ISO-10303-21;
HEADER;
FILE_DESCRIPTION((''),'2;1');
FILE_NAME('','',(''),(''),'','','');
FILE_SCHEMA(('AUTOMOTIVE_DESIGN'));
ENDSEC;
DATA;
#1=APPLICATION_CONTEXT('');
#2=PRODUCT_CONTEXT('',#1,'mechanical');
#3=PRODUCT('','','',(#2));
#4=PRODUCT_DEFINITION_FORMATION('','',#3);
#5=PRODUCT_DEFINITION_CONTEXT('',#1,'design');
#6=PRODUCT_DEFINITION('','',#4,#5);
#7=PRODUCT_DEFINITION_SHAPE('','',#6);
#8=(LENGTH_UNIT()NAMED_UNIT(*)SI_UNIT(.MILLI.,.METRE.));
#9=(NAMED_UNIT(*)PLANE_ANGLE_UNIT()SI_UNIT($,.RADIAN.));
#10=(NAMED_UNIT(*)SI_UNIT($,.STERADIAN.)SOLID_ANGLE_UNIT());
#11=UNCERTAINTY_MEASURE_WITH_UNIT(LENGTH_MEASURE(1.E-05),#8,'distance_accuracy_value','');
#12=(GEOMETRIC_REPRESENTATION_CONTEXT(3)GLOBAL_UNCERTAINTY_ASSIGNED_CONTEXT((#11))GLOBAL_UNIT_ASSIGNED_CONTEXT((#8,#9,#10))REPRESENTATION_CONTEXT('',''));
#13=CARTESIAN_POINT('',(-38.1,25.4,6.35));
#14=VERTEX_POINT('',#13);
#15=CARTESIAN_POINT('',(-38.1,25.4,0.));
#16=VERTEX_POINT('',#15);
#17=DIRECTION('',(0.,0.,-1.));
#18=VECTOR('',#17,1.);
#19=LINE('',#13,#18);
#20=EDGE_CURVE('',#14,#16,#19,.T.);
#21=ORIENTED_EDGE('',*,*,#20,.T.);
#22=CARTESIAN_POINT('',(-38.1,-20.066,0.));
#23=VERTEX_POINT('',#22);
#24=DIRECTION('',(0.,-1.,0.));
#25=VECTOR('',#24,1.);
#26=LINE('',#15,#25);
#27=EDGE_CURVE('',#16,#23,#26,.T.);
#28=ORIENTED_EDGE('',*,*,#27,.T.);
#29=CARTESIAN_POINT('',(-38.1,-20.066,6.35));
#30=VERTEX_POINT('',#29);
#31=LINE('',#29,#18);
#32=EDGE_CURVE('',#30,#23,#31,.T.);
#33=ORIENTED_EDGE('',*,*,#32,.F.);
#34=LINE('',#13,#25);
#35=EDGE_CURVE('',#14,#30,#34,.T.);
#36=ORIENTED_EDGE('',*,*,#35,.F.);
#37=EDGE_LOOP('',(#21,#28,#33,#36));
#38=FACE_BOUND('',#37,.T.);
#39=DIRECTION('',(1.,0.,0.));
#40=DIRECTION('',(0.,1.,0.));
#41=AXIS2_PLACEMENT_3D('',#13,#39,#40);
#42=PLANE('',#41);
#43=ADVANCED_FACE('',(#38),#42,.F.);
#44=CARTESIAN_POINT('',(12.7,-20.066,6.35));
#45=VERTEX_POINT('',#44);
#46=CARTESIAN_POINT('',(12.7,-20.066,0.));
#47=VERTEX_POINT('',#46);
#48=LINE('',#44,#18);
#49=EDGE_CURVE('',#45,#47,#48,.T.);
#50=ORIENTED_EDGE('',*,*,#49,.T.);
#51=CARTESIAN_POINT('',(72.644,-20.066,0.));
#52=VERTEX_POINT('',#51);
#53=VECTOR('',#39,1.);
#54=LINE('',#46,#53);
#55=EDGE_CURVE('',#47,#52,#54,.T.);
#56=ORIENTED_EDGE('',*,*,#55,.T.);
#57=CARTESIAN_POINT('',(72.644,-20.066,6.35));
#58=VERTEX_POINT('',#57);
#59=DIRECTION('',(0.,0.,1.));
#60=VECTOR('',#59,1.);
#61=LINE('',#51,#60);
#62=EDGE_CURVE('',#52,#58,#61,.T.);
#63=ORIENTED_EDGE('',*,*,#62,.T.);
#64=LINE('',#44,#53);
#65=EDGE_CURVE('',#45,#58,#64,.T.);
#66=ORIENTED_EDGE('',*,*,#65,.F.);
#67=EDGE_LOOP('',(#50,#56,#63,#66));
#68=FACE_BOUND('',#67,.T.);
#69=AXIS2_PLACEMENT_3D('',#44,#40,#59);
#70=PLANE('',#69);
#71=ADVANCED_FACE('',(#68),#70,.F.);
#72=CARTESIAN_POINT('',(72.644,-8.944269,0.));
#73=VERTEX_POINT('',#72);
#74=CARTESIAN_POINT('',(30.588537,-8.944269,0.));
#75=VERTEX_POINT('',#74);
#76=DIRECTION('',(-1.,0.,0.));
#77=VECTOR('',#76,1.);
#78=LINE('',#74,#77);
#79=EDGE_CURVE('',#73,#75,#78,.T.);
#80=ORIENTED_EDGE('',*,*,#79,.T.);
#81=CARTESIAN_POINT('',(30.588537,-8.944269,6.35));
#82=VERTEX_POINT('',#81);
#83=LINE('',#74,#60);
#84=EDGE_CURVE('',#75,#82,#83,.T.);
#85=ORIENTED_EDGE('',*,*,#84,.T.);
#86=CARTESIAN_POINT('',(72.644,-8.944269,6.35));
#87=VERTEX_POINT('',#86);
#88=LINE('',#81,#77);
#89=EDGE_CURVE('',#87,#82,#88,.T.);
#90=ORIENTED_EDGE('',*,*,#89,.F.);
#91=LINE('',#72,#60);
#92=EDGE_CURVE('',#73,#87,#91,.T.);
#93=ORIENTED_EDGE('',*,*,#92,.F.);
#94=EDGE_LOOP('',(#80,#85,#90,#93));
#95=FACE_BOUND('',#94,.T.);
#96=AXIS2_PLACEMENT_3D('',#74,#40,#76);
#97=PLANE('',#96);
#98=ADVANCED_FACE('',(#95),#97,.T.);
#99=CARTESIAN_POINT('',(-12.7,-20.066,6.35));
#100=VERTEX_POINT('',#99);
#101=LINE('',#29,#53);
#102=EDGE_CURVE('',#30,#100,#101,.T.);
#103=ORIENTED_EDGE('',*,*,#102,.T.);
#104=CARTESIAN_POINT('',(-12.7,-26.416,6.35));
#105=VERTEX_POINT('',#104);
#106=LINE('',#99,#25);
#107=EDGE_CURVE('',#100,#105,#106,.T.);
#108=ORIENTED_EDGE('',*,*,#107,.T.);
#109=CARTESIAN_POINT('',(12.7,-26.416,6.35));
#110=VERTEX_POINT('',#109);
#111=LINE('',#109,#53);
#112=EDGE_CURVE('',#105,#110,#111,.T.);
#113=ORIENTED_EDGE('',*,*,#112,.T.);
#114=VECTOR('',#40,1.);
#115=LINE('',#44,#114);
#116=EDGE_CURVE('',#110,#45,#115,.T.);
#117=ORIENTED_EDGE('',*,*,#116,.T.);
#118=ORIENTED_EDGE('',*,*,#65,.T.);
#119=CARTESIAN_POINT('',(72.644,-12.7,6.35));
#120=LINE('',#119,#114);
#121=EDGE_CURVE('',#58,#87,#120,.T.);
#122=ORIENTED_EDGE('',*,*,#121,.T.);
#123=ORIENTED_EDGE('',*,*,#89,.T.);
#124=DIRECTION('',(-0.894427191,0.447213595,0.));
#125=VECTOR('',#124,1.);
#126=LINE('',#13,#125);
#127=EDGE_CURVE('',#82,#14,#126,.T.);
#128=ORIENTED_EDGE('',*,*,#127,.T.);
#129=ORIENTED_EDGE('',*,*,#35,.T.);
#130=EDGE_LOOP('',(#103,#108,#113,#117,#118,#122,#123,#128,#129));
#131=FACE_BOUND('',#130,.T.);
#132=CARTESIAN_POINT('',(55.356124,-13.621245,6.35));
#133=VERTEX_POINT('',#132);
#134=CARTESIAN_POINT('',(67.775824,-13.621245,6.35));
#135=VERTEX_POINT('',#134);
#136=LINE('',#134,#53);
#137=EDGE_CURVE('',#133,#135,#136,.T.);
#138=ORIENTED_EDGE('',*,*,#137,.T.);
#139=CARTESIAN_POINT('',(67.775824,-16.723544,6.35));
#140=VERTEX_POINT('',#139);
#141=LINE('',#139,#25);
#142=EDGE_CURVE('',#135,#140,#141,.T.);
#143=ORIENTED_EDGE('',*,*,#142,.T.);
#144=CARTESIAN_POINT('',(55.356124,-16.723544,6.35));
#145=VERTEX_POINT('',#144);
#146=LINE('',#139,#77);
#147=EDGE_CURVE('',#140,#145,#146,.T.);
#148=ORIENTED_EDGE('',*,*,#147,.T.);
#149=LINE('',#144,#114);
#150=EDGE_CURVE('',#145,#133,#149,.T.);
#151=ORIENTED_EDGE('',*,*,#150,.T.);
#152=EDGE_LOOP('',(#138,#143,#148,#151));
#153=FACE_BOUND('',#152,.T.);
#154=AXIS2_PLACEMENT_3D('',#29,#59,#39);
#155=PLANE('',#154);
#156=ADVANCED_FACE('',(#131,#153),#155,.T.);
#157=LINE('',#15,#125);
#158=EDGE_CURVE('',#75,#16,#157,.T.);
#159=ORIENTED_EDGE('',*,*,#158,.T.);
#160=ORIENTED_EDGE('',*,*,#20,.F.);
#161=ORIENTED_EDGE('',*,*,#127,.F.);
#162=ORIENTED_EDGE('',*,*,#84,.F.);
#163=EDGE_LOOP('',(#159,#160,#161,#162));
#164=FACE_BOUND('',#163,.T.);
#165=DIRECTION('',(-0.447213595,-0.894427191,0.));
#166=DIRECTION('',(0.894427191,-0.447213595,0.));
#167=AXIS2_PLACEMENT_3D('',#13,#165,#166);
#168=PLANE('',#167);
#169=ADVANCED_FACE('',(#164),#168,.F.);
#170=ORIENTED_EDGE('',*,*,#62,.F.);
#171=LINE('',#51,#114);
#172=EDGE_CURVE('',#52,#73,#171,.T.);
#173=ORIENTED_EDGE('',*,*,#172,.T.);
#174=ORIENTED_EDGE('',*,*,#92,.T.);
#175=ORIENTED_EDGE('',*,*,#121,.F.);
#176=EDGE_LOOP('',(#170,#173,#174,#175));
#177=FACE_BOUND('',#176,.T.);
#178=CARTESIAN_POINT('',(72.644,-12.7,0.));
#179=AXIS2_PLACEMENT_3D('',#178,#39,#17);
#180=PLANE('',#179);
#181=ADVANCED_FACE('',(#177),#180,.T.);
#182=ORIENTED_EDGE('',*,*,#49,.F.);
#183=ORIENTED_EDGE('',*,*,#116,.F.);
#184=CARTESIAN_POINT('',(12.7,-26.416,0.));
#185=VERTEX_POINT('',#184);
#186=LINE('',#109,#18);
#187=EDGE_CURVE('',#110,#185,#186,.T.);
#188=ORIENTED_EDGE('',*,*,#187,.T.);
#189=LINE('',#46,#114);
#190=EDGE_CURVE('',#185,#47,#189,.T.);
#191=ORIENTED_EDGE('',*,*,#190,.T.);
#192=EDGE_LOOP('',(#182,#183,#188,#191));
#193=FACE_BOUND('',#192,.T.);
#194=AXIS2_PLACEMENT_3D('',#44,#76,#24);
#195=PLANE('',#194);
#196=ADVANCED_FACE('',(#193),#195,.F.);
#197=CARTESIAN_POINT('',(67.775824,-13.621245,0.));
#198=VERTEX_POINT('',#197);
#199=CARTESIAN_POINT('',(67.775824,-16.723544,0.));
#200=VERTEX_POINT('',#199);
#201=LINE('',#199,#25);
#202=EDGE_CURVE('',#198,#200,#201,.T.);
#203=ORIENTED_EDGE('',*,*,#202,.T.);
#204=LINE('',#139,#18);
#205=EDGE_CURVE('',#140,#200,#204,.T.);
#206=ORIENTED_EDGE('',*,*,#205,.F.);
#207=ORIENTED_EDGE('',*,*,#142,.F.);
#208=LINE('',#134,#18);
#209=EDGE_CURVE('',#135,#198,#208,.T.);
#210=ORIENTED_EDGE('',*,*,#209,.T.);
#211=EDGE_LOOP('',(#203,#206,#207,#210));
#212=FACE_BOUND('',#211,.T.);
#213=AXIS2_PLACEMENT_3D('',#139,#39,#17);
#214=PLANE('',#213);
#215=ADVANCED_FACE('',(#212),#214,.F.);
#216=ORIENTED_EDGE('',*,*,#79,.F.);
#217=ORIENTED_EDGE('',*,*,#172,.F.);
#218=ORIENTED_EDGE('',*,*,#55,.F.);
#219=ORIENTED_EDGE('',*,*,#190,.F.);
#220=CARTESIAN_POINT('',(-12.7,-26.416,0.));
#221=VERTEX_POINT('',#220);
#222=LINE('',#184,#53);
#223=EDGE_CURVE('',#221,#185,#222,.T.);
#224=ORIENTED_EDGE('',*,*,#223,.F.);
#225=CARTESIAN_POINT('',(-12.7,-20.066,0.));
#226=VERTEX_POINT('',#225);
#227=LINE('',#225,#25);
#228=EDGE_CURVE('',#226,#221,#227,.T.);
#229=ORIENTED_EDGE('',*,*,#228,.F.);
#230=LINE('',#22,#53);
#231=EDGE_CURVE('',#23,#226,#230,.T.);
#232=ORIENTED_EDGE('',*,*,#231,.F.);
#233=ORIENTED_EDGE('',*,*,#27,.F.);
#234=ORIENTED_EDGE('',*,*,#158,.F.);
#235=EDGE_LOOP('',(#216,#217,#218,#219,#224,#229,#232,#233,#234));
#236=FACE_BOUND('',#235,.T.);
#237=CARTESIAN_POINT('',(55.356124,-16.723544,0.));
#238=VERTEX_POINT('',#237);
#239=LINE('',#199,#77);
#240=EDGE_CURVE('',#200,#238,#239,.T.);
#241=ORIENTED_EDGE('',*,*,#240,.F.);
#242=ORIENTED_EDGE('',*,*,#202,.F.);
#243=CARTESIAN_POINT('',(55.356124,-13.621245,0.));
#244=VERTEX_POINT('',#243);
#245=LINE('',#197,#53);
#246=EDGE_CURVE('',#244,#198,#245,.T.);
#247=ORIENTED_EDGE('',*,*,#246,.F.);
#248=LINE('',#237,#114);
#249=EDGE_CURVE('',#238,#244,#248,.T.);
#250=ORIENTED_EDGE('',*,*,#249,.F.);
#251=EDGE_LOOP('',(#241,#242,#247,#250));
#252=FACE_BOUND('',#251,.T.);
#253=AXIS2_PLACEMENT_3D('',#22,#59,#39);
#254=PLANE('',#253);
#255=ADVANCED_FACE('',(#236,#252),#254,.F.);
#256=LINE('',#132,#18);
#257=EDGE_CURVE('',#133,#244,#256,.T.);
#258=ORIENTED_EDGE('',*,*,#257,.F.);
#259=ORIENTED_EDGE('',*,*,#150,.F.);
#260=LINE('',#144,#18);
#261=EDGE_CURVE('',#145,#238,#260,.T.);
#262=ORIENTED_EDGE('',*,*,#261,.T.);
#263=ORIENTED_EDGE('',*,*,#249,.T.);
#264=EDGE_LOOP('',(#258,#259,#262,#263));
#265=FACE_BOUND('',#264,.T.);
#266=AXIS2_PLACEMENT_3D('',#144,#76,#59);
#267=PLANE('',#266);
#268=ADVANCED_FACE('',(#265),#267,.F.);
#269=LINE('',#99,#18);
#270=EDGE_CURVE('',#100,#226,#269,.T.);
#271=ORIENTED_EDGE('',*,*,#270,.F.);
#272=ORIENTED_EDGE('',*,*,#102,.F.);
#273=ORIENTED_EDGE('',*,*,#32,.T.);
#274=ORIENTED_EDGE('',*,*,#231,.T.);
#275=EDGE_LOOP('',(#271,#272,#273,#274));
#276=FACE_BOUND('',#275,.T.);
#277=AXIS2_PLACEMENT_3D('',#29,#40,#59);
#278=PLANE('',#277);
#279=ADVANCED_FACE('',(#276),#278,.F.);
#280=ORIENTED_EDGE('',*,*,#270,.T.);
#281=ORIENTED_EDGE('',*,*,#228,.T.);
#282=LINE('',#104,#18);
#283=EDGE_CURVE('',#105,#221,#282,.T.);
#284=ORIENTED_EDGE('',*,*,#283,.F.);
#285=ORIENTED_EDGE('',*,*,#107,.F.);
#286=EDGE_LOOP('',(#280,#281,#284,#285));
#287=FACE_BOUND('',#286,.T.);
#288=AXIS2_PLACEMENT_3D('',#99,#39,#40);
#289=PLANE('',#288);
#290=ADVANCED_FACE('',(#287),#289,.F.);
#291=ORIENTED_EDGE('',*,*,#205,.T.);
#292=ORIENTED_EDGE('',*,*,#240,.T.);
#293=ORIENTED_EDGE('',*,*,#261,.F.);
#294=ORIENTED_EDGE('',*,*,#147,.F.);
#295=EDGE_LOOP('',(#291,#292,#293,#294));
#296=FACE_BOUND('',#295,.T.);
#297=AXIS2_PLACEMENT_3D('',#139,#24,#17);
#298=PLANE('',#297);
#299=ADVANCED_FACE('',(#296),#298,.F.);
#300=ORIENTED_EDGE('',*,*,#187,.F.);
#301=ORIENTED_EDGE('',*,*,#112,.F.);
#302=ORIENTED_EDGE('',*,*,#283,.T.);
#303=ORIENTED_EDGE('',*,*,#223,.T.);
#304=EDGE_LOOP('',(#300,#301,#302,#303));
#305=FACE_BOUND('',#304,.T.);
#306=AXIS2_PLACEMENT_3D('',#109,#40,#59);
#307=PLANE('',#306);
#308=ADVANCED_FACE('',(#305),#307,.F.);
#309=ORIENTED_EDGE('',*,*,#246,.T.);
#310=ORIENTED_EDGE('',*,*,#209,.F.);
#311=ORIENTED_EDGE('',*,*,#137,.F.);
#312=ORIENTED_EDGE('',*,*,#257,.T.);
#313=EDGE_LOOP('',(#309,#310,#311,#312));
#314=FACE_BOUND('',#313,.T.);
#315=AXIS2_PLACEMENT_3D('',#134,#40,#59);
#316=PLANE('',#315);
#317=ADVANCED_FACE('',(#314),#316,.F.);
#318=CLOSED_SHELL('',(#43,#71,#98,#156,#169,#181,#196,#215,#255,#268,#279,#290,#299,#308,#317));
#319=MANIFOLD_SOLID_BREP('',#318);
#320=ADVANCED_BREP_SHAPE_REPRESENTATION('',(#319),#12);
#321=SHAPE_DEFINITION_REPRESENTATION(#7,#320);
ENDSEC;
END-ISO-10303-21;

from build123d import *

# Parameters (mm, degrees)
BOSS_EXTRUDE1_DEPTH = 6.35
BOSS_EXTRUDE2_DEPTH = 6.35
SKETCH4_W           = 12.419699812
SKETCH4_H           = 3.102298877
CUT_EXTRUDE1_DEPTH  = 7.35


with BuildPart() as part:
    # Sketch1 → Boss-Extrude1 (new body)
    with BuildSketch(Plane.XY):
        Polygon((-38.1, -20.066), (-12.7, -20.066), (-12.7, -26.416), (12.7, -26.416), (12.7, -20.066), (38.1, -20.066), (38.1, -12.7), (-38.1, 25.4), align=None)
    extrude(amount=BOSS_EXTRUDE1_DEPTH)

    # Sketch2 → Boss-Extrude2 (add, through all)
    with BuildSketch(Plane.XY.offset(6.35)):
        Polygon((38.1, -20.066), (72.644, -20.066), (72.644, -12.7), (72.644, -8.944268717), (30.588537433, -8.944268717), (38.1, -12.7), align=None)
    extrude(amount=-BOSS_EXTRUDE2_DEPTH)

    # Sketch4 → Cut-Extrude1 (cut, through all)
    with BuildSketch(Plane(origin=(0, 0, 0), x_dir=(-1, 0, 0), z_dir=(0, 0, -1))):
        with Locations((-61.565974267, -15.172394908)):
            Rectangle(SKETCH4_W, SKETCH4_H)
    extrude(amount=-CUT_EXTRUDE1_DEPTH, mode=Mode.SUBTRACT)


solid = part.part
